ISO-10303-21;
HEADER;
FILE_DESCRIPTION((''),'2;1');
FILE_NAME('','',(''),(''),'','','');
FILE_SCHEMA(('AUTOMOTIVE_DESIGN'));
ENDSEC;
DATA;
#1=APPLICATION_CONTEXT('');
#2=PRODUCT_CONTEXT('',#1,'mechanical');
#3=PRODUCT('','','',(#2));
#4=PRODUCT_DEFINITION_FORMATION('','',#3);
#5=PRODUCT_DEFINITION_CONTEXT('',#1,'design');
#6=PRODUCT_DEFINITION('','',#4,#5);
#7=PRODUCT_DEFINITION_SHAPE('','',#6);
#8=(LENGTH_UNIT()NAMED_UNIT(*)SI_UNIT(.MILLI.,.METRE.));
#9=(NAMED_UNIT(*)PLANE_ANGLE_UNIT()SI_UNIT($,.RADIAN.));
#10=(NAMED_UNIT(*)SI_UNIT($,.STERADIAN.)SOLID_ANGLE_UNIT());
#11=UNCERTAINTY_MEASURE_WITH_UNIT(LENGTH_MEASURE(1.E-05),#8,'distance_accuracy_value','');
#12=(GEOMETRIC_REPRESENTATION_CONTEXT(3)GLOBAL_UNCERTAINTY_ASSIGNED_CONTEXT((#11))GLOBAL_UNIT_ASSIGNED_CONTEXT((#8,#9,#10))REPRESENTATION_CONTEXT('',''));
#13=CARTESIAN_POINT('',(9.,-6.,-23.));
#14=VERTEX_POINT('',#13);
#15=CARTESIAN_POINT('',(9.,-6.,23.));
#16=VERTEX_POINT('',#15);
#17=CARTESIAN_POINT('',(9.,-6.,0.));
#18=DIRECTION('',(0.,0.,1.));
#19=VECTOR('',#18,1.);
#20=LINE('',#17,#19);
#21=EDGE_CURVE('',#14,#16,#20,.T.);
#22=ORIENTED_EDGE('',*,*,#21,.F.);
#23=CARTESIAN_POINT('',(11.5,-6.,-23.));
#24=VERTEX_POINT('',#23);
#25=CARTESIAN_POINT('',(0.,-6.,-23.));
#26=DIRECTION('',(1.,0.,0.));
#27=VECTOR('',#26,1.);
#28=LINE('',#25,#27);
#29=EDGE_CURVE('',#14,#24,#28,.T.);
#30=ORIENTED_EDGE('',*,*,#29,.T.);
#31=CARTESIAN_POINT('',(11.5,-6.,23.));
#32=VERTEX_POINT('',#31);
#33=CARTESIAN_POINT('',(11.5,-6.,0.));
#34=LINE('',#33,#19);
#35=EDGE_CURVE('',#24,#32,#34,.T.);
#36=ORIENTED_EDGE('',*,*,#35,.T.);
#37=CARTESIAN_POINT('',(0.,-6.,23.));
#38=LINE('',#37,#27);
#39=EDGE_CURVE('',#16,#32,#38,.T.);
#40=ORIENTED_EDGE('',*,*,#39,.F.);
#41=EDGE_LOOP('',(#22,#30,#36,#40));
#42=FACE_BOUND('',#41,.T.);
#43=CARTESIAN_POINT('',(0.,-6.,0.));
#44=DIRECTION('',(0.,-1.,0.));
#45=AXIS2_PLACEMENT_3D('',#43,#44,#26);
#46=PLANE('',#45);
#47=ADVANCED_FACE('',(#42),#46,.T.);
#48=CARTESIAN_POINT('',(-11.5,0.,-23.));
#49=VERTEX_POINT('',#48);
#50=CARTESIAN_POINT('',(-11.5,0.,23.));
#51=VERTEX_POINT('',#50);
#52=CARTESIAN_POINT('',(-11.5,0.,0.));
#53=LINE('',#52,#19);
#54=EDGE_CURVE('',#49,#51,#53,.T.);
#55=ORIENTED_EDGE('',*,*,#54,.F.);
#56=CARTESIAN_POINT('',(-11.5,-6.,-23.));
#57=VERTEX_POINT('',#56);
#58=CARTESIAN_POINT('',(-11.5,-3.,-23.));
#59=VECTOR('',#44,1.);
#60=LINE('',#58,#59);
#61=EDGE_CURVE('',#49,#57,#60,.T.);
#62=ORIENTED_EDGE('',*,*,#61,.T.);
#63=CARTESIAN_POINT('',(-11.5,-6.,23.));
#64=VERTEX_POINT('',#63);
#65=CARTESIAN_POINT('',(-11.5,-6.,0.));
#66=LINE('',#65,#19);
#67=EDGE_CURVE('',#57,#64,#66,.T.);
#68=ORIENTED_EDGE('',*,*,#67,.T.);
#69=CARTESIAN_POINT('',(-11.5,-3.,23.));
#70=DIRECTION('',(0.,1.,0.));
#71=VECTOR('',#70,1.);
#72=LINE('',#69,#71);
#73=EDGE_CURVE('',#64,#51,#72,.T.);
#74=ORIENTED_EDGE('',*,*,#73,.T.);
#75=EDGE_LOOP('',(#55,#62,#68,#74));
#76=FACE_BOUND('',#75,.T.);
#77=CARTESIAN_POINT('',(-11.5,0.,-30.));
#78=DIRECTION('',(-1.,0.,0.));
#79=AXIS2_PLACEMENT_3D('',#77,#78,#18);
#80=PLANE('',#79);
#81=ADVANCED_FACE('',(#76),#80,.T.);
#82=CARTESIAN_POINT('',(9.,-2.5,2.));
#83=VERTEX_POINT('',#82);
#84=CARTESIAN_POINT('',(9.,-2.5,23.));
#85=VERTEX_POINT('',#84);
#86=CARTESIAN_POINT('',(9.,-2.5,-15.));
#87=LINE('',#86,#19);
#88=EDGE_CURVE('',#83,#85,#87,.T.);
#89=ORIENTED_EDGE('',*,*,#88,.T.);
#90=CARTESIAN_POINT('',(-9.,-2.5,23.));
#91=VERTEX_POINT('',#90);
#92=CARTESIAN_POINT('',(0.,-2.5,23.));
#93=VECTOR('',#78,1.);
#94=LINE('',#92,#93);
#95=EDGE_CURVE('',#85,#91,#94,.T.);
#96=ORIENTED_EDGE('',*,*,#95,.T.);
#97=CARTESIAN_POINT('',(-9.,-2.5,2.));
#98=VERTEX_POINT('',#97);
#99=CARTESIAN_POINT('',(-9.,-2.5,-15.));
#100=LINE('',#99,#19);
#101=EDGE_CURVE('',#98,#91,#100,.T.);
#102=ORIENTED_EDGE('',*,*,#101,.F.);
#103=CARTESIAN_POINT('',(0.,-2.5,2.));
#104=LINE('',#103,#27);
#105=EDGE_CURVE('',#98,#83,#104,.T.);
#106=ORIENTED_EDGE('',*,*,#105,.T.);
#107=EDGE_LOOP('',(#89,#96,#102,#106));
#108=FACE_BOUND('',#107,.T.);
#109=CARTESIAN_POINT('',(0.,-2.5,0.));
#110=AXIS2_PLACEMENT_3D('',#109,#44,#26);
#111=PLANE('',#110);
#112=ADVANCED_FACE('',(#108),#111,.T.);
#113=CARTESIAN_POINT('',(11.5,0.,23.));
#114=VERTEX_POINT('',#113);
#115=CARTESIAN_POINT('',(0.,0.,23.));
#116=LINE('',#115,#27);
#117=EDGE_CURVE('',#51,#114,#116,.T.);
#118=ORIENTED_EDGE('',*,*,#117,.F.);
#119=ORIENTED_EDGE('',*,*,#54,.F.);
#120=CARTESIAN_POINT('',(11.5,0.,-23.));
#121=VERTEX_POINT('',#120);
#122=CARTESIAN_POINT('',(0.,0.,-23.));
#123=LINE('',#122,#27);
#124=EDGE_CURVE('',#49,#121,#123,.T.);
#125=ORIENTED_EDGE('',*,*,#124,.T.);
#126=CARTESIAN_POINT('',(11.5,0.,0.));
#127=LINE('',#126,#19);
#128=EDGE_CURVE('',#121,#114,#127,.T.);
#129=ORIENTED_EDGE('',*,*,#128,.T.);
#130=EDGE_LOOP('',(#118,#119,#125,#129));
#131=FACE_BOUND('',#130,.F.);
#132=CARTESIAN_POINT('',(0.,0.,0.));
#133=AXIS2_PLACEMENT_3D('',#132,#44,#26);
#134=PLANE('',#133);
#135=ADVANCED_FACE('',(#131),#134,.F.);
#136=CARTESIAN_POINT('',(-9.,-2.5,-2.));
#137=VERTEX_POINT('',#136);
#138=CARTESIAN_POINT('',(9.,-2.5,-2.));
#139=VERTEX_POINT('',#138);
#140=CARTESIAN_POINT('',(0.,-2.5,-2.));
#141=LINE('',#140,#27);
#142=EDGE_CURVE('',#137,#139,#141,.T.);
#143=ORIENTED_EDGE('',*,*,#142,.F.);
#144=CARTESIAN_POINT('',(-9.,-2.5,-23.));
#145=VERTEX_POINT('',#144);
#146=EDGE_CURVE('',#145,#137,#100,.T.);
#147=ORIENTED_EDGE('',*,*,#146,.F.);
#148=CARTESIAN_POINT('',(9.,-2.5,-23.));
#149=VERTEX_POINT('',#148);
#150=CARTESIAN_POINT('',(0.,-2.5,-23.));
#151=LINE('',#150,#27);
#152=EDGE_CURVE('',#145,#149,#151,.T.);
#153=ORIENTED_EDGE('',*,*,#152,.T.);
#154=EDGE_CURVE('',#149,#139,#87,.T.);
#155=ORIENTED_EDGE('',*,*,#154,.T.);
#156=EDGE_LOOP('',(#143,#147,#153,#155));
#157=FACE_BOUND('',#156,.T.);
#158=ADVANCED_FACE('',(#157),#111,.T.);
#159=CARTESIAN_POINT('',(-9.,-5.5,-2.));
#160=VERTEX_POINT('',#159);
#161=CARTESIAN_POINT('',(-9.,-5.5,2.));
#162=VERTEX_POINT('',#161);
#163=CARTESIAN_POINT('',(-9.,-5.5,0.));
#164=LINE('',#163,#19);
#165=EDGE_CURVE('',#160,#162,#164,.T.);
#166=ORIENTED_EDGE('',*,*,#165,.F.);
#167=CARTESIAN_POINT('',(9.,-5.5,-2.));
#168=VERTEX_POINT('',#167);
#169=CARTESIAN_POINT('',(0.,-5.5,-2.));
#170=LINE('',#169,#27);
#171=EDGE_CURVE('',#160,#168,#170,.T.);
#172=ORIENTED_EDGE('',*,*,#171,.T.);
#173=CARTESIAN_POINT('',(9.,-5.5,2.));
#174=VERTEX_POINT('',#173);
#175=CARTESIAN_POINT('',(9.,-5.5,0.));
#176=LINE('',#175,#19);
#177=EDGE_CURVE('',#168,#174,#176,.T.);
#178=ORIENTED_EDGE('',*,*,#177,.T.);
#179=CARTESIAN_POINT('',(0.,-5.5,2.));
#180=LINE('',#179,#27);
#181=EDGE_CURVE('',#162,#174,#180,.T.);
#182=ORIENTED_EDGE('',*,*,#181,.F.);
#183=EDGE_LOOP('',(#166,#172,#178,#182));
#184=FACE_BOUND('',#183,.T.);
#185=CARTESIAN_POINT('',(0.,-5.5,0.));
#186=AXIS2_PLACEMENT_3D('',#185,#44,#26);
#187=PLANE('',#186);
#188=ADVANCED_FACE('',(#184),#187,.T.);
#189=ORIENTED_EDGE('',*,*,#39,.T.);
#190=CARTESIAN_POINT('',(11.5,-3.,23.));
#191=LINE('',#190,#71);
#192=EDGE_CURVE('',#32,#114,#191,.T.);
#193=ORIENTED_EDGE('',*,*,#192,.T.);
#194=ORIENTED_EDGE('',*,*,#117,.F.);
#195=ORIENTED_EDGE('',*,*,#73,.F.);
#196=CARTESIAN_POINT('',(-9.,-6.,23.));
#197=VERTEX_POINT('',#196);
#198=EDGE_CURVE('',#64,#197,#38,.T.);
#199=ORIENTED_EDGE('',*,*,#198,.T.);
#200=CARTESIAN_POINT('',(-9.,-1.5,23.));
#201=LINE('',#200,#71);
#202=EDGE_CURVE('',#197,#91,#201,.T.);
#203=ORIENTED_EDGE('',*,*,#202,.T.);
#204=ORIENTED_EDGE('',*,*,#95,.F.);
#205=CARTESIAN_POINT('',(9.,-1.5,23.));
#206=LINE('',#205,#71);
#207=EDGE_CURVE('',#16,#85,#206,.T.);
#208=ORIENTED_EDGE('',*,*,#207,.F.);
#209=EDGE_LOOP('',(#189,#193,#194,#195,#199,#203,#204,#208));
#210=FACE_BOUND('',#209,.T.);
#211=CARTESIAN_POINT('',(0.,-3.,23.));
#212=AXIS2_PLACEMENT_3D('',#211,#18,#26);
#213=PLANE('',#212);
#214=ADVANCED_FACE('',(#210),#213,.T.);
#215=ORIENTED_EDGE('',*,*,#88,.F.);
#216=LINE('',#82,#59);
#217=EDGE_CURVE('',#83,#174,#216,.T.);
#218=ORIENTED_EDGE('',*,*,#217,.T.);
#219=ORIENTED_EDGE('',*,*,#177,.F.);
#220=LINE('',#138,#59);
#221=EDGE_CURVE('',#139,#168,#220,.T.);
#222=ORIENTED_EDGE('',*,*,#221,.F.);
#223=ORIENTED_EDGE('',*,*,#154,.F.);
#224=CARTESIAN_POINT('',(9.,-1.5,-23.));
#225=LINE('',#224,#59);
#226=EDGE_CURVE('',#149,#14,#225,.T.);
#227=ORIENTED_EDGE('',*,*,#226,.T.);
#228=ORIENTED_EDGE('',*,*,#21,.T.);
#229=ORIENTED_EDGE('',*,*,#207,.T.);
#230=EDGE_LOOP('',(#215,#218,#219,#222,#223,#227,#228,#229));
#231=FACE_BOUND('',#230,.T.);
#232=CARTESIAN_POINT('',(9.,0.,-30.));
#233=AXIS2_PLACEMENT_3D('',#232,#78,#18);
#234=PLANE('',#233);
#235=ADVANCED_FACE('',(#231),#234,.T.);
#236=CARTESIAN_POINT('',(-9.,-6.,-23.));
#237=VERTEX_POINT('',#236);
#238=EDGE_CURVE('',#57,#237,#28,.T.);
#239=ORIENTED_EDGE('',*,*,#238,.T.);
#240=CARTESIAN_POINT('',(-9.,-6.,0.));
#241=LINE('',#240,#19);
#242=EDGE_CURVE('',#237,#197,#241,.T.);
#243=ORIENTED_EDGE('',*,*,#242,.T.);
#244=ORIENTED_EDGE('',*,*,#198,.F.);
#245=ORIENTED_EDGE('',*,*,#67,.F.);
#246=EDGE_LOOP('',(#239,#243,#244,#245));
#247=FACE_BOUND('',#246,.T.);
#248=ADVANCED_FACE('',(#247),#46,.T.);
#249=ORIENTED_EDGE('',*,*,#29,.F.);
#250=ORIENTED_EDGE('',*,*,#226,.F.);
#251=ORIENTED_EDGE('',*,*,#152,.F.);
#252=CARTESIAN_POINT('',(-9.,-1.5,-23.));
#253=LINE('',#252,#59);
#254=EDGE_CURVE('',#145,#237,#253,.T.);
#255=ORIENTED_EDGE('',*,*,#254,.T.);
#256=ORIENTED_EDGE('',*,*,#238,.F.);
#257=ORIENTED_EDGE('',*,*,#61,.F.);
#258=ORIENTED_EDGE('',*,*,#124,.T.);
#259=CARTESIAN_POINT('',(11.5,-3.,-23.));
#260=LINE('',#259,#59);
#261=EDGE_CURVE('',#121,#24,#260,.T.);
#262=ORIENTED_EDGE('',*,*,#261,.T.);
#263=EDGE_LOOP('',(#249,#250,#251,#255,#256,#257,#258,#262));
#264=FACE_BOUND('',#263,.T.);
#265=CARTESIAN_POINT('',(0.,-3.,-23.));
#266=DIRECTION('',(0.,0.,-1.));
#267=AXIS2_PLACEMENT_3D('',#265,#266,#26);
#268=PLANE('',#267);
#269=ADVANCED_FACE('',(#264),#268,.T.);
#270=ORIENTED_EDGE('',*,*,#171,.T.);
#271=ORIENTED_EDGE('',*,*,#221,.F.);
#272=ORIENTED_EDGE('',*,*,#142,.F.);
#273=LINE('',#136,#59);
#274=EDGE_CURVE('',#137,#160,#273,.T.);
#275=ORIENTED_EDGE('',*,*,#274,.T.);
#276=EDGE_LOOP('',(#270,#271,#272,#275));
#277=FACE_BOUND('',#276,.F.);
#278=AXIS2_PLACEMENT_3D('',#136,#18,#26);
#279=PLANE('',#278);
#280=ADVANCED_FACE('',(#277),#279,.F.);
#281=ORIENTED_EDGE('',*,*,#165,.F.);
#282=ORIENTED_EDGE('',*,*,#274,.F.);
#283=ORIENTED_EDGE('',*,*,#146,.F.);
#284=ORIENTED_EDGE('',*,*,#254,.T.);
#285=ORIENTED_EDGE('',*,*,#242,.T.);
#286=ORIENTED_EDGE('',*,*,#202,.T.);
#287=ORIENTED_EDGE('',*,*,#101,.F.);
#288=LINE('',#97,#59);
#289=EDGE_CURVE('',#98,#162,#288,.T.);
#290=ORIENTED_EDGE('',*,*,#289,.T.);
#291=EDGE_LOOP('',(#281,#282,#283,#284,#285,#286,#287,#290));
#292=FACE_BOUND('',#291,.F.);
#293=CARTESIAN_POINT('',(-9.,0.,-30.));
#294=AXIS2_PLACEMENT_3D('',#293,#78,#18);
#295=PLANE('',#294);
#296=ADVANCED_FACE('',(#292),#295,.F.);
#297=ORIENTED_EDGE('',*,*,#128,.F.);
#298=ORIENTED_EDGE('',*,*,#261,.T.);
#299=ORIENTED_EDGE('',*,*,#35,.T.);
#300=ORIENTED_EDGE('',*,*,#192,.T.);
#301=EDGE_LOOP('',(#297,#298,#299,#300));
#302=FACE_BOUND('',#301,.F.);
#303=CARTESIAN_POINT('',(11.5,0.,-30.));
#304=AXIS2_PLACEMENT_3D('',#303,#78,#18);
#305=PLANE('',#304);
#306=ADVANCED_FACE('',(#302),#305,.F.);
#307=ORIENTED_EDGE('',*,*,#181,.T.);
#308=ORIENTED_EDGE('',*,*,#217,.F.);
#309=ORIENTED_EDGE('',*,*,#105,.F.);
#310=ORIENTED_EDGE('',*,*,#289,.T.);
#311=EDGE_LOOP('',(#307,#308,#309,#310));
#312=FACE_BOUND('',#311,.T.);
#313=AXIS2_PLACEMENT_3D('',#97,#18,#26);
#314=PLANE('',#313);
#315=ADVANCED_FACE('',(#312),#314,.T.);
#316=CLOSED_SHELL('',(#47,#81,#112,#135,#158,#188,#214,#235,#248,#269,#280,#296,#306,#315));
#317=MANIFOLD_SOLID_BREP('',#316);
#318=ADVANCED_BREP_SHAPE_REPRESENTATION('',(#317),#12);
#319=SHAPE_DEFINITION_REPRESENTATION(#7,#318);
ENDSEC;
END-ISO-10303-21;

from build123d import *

# Parameters (mm, degrees)
F0_W     = 23
F0_H     = 60
F1_DEPTH = 6
F2_T     = -2.5
F3_W     = 23
F3_H     = 6
F4_DEPTH = 7
F5_W     = 23
F5_H     = 6
F6_DEPTH = 7
F7_W     = 18
F7_H     = 4
F8_DEPTH = 3


with BuildPart() as f1:
    # F0 (on Front) → F1 (new body)
    with BuildSketch(Plane.XZ):
        Rectangle(F0_W, F0_H)
    extrude(amount=F1_DEPTH)

    # F2
    f2_openings = [f1.faces().sort_by_distance(p)[0] for p in [
        (0, -6, 0),
    ]]
    offset(amount=F2_T, openings=f2_openings)

    # F3 (on face) → F4 (cut)
    with BuildSketch(Plane(origin=(0, 0, -30), x_dir=(1, 0, 0), z_dir=(0, 0, -1))):
        with Locations((0, 3)):
            Rectangle(F3_W, F3_H)
    extrude(amount=-F4_DEPTH, mode=Mode.SUBTRACT)

    # F5 (on face) → F6 (cut)
    with BuildSketch(Plane.XY.offset(30)):
        with Locations((0, -3)):
            Rectangle(F5_W, F5_H)
    extrude(amount=-F6_DEPTH, mode=Mode.SUBTRACT)

    # F7 (on face) → F8 (join)
    with BuildSketch(Plane.XZ.offset(2.5)):
        Rectangle(F7_W, F7_H)
    extrude(amount=F8_DEPTH)


solid = f1.part
